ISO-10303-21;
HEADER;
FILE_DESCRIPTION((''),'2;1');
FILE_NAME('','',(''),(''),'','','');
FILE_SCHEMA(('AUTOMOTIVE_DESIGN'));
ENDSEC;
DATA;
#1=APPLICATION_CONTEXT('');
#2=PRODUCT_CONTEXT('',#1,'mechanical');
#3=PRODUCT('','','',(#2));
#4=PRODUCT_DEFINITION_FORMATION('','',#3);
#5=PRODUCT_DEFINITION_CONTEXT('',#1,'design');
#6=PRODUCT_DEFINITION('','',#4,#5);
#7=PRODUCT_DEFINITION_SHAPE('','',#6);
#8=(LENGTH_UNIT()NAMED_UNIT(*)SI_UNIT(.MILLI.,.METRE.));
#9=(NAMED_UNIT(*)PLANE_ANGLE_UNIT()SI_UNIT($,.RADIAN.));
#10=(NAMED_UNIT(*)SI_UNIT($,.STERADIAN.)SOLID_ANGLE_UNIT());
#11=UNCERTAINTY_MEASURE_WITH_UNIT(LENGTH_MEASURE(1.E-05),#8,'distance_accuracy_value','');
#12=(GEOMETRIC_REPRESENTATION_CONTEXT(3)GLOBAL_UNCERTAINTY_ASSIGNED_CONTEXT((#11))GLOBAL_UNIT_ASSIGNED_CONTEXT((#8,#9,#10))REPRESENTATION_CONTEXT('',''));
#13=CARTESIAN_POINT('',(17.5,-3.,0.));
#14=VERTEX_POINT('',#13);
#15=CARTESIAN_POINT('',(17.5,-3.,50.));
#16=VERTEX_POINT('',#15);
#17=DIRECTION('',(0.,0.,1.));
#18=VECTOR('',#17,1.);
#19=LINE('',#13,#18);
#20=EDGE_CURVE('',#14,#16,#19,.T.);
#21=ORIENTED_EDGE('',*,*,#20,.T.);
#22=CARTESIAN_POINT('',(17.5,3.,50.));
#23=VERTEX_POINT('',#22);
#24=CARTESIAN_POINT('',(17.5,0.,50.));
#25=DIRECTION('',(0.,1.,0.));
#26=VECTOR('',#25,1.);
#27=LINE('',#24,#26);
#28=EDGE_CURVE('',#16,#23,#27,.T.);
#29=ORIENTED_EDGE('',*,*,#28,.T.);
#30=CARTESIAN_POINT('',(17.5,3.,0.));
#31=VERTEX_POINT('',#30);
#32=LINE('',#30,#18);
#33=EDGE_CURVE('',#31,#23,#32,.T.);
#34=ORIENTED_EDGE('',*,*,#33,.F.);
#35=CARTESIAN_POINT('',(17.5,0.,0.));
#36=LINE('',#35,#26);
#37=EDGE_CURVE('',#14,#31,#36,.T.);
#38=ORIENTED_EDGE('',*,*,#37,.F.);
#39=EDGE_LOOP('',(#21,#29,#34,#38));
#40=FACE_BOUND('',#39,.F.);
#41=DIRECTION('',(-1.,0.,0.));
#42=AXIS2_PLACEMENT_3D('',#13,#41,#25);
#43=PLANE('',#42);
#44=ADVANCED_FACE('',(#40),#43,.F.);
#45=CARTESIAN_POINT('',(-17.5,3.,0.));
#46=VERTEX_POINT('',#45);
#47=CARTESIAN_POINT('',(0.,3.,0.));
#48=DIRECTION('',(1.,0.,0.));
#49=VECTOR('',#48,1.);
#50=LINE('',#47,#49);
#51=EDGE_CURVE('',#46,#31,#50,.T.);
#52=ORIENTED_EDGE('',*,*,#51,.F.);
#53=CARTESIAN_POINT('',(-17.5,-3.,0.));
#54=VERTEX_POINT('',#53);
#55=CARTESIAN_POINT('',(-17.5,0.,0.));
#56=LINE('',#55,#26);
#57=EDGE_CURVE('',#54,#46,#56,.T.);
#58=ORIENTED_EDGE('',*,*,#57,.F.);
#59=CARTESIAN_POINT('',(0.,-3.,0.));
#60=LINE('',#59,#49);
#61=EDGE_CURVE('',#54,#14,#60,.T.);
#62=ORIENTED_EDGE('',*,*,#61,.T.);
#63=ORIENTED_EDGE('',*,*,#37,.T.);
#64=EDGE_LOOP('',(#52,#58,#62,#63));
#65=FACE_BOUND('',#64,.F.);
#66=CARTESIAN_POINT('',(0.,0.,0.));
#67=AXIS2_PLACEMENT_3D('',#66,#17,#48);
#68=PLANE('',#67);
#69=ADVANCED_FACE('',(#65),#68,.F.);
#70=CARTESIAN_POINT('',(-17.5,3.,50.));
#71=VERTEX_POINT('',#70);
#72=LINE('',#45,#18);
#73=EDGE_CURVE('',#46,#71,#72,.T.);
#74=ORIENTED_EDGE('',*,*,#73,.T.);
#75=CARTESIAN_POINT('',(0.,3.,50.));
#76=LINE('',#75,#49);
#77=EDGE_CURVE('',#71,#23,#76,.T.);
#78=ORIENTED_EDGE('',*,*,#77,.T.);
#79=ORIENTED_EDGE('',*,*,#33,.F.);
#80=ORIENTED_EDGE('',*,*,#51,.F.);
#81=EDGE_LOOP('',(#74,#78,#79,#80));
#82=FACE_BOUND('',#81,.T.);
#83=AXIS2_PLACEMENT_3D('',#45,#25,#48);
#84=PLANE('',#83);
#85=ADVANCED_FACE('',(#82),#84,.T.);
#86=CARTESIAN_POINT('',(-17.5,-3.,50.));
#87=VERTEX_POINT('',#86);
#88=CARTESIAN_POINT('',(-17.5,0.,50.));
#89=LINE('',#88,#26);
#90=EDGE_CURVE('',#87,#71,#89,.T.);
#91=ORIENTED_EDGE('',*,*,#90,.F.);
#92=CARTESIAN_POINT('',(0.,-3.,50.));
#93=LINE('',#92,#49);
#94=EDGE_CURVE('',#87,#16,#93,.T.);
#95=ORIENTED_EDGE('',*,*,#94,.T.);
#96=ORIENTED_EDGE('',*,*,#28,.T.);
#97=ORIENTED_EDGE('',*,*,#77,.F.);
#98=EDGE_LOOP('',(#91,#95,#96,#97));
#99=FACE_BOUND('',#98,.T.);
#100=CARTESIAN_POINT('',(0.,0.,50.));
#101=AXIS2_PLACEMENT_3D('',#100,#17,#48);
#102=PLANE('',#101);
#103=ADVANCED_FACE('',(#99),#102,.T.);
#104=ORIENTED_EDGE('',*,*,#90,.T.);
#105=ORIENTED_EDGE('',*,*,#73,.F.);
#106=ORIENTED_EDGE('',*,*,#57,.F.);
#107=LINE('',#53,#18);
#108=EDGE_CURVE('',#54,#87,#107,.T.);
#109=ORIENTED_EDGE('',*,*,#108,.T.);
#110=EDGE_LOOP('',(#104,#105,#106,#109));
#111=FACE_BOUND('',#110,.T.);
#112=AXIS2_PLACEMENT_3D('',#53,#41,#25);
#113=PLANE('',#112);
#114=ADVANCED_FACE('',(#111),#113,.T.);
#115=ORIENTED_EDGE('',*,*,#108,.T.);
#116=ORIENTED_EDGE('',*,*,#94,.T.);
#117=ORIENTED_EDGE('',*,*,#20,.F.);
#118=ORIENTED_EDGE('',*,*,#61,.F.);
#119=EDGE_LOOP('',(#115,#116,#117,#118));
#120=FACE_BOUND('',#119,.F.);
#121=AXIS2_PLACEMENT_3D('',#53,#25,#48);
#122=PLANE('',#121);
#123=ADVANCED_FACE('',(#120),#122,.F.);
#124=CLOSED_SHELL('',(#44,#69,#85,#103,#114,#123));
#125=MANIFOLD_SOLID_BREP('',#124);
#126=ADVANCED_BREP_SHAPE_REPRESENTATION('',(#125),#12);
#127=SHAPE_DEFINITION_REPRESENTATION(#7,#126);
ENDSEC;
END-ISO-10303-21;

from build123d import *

# Parameters (mm, degrees)
SKETCH_W      = 35
SKETCH_H      = 6
EXTRUDE_DEPTH = 50


with BuildPart() as part:
    # Sketch → Extrude (new body)
    with BuildSketch(Plane.XY):
        Rectangle(SKETCH_W, SKETCH_H)
    extrude(amount=EXTRUDE_DEPTH)


solid = part.part
